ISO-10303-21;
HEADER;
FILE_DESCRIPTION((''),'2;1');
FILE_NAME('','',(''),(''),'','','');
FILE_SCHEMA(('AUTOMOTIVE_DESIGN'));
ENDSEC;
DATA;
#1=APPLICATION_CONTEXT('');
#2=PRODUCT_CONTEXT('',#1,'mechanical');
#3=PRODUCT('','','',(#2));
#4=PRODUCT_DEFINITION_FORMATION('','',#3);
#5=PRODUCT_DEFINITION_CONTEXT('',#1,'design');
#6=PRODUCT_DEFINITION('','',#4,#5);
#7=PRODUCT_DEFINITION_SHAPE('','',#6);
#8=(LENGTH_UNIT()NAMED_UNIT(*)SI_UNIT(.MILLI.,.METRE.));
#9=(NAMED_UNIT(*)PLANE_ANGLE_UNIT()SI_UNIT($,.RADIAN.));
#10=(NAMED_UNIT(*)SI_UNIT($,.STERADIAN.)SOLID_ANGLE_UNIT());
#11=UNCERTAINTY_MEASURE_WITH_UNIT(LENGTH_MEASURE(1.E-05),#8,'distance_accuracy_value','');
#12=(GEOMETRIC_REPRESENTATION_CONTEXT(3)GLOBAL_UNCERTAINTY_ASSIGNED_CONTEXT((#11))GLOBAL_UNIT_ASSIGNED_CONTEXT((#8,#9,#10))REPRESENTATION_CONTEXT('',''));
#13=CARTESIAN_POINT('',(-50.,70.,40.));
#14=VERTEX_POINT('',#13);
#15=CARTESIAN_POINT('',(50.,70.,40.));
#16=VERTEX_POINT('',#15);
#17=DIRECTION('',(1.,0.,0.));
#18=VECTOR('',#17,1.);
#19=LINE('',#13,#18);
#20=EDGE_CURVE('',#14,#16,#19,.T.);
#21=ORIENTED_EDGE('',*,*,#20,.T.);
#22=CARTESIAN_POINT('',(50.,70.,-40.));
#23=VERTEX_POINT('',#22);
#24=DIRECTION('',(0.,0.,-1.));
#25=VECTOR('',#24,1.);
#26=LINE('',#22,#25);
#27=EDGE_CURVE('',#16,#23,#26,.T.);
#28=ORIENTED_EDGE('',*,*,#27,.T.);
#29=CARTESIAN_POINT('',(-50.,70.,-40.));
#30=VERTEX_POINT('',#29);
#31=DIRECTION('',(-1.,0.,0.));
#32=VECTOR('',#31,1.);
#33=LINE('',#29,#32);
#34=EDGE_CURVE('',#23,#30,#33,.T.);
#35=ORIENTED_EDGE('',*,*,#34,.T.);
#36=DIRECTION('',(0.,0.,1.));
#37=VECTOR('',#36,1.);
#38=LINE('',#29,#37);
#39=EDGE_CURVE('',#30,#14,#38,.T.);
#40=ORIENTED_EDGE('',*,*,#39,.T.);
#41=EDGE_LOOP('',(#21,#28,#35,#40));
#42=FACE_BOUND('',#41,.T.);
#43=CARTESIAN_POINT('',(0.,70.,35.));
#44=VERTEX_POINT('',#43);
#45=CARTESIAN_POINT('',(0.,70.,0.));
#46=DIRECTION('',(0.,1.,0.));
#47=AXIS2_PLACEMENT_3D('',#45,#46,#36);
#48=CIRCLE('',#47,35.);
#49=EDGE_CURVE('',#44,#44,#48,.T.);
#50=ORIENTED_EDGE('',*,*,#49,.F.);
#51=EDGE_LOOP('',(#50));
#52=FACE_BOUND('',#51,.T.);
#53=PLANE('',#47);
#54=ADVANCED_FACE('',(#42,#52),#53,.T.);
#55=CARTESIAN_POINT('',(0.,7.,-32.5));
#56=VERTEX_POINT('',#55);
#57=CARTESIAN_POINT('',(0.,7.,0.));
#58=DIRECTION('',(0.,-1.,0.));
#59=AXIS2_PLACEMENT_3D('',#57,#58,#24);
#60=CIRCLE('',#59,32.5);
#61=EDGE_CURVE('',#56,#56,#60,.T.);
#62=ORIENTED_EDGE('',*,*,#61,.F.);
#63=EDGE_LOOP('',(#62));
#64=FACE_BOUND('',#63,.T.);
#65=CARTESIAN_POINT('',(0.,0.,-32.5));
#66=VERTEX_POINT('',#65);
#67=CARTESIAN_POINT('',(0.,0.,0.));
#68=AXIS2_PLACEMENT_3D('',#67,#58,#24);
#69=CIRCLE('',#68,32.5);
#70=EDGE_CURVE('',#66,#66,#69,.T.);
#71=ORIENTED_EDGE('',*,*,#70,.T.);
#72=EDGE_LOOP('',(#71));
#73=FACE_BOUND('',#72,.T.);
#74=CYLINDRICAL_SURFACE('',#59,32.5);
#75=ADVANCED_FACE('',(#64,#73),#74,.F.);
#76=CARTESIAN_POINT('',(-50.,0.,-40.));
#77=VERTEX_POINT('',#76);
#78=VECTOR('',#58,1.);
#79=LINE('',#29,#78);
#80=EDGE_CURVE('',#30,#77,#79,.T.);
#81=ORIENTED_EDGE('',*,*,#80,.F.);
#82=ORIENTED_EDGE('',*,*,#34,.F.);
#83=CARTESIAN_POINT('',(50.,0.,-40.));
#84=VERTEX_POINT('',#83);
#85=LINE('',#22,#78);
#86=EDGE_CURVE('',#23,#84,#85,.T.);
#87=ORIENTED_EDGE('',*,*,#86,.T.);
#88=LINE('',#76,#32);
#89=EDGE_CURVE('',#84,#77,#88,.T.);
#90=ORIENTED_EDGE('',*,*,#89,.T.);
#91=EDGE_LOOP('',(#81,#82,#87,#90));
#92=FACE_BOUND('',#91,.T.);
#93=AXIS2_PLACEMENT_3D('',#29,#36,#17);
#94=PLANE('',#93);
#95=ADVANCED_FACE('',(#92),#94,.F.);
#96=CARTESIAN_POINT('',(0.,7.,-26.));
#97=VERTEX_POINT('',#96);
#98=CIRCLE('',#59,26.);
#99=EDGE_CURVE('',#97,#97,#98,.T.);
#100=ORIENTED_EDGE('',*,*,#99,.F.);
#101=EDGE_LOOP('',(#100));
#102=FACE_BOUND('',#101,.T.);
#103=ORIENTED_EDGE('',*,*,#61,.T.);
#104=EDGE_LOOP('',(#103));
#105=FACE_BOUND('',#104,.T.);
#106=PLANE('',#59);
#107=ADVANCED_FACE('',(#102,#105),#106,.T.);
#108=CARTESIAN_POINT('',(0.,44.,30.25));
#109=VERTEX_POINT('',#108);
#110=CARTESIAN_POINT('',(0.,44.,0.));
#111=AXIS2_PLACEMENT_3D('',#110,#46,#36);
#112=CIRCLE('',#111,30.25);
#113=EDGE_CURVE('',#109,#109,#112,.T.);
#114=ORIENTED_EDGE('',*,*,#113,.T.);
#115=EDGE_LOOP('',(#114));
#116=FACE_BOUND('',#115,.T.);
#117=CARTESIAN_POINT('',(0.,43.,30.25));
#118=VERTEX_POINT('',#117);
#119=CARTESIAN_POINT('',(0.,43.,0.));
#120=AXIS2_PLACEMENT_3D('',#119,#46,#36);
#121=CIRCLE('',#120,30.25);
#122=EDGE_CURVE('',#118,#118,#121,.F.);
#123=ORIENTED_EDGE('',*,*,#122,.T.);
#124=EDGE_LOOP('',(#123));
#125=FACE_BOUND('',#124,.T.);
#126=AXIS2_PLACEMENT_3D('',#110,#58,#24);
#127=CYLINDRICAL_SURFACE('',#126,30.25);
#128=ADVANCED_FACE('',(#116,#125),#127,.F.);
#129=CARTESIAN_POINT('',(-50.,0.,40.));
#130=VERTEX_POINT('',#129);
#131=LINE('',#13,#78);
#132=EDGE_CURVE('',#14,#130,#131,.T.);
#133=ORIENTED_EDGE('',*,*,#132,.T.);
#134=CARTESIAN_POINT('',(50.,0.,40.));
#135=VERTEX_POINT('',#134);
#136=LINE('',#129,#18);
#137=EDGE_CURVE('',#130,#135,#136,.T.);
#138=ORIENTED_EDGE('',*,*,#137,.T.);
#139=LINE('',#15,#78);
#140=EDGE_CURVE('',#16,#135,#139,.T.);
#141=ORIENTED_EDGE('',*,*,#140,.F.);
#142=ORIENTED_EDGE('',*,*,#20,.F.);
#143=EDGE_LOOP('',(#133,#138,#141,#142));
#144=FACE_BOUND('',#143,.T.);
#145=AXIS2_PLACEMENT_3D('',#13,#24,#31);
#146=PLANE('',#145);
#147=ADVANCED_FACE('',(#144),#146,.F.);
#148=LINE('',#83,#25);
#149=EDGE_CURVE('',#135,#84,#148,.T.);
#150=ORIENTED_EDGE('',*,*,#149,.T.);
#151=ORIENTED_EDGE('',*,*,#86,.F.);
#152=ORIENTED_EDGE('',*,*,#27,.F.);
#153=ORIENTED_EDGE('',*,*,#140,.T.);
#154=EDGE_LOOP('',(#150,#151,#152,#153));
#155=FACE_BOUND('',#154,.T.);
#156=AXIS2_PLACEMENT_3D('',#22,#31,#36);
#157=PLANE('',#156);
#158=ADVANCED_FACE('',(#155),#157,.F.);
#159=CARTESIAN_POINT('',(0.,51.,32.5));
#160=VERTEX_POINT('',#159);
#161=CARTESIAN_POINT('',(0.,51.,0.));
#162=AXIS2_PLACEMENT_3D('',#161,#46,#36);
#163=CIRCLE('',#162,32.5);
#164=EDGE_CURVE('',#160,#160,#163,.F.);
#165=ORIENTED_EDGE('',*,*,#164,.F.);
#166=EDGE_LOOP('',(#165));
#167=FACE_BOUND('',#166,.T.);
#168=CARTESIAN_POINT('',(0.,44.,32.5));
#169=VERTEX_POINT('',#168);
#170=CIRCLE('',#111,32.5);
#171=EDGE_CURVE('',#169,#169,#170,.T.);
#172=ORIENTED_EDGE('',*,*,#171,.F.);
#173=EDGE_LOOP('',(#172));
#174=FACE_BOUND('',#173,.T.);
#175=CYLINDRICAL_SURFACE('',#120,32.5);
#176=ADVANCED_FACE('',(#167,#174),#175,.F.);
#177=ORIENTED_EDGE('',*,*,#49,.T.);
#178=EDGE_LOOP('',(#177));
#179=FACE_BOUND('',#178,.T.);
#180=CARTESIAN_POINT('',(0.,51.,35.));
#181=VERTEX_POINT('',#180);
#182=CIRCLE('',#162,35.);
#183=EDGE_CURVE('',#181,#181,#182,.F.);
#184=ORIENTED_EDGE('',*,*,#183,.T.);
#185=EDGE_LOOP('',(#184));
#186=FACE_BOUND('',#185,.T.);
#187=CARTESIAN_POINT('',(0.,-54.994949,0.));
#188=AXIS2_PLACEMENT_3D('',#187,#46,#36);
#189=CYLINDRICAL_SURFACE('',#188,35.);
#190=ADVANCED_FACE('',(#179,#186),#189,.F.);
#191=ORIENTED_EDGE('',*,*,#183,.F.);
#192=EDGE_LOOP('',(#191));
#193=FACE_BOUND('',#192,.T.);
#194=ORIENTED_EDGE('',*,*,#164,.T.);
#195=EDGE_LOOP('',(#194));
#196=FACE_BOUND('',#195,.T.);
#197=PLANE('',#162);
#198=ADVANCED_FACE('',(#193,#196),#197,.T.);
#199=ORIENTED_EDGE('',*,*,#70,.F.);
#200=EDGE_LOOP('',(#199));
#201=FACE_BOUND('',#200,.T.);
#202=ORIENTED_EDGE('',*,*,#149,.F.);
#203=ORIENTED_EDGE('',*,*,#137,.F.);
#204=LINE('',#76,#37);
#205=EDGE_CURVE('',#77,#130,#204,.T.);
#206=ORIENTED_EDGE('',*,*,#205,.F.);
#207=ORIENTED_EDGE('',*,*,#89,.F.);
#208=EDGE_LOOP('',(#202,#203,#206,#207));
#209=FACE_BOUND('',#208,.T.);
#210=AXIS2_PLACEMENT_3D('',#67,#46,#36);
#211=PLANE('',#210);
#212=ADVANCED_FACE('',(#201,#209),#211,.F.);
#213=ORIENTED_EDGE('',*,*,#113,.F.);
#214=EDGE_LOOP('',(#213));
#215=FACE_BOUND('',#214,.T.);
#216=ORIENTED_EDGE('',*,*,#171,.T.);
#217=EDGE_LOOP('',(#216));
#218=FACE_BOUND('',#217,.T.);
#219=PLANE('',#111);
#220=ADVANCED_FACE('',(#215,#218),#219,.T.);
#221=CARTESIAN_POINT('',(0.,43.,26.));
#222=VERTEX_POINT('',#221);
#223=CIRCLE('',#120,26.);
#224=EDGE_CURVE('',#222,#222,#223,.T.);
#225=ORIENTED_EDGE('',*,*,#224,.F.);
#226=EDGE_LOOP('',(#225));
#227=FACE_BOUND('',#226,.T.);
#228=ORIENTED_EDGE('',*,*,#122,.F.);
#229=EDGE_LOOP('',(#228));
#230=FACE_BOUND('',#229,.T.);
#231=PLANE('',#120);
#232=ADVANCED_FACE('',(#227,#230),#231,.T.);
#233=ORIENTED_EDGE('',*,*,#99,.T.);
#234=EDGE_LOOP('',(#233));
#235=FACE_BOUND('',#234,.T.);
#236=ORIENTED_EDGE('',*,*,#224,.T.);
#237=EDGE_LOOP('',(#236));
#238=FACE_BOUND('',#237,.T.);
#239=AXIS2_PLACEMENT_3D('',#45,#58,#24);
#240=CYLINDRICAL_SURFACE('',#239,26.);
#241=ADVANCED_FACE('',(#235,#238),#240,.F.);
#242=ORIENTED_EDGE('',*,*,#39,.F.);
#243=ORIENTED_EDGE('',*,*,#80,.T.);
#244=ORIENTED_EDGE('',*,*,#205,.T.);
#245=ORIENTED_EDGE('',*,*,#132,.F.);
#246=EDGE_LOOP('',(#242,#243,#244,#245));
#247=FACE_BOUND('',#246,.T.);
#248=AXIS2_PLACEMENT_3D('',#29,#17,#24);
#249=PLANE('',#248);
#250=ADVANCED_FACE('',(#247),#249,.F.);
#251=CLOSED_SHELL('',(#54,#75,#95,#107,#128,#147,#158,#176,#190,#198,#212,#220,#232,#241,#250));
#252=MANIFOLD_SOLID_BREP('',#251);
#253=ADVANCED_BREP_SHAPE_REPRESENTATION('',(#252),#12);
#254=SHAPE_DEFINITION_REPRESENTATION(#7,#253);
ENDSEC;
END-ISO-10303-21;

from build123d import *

# Parameters (mm, degrees)
SKETCH1_W           = 100
SKETCH1_H           = 80
SKETCH1_R           = 26
BOSS_EXTRUDE1_DEPTH = 70
SKETCH2_R           = 32.5
CUT_EXTRUDE1_DEPTH  = 27
BOSS_EXTRUDE2_START = 1
SKETCH4_R           = 32.5
SKETCH4_R_2         = 30.25
BOSS_EXTRUDE2_DEPTH = 1
SKETCH5_R           = 35
CUT_EXTRUDE2_DEPTH  = 19
CUT_EXTRUDE3_START  = -7
SKETCH6_R           = 32.5
CUT_EXTRUDE3_DEPTH  = 7


with BuildPart() as part:
    # Sketch1 → Boss-Extrude1 (new body)
    with BuildSketch(Plane(origin=(0, 0, 0), x_dir=(1, 0, 0), z_dir=(0, 1, 0))):
        Rectangle(SKETCH1_W, SKETCH1_H)
        with Locations(Location((0, 0, 0), (0, 0, 270))):
            Circle(SKETCH1_R, mode=Mode.SUBTRACT)
    extrude(amount=BOSS_EXTRUDE1_DEPTH)

    # Sketch2 → Cut-Extrude1 (cut)
    with BuildSketch(Plane(origin=(0, 70, 0), x_dir=(1, 0, 0), z_dir=(0, 1, 0))):
        with Locations(Location((0, 0, 0), (0, 0, 270))):
            Circle(SKETCH2_R)
    extrude(amount=-CUT_EXTRUDE1_DEPTH, mode=Mode.SUBTRACT)

    # Sketch4 → Boss-Extrude2 (add)
    with BuildSketch(Plane(origin=(0, 43, 0), x_dir=(1, 0, 0), z_dir=(0, 1, 0)).offset(BOSS_EXTRUDE2_START)):
        with Locations(Location((0, 0, 0), (0, 0, 270))):
            Circle(SKETCH4_R)
        with Locations(Location((0, 0, 0), (0, 0, 270))):
            Circle(SKETCH4_R_2, mode=Mode.SUBTRACT)
    extrude(amount=-BOSS_EXTRUDE2_DEPTH)

    # Sketch5 → Cut-Extrude2 (cut)
    with BuildSketch(Plane(origin=(0, 70, 0), x_dir=(1, 0, 0), z_dir=(0, 1, 0))):
        with Locations(Location((0, 0, 0), (0, 0, 270))):
            Circle(SKETCH5_R)
    extrude(amount=-CUT_EXTRUDE2_DEPTH, mode=Mode.SUBTRACT)

    # Sketch6 → Cut-Extrude3 (cut)
    with BuildSketch(Plane.XZ.offset(CUT_EXTRUDE3_START)):
        with Locations(Location((0, 0, 0), (0, 0, 90))):
            Circle(SKETCH6_R)
    extrude(amount=CUT_EXTRUDE3_DEPTH, mode=Mode.SUBTRACT)


solid = part.part
